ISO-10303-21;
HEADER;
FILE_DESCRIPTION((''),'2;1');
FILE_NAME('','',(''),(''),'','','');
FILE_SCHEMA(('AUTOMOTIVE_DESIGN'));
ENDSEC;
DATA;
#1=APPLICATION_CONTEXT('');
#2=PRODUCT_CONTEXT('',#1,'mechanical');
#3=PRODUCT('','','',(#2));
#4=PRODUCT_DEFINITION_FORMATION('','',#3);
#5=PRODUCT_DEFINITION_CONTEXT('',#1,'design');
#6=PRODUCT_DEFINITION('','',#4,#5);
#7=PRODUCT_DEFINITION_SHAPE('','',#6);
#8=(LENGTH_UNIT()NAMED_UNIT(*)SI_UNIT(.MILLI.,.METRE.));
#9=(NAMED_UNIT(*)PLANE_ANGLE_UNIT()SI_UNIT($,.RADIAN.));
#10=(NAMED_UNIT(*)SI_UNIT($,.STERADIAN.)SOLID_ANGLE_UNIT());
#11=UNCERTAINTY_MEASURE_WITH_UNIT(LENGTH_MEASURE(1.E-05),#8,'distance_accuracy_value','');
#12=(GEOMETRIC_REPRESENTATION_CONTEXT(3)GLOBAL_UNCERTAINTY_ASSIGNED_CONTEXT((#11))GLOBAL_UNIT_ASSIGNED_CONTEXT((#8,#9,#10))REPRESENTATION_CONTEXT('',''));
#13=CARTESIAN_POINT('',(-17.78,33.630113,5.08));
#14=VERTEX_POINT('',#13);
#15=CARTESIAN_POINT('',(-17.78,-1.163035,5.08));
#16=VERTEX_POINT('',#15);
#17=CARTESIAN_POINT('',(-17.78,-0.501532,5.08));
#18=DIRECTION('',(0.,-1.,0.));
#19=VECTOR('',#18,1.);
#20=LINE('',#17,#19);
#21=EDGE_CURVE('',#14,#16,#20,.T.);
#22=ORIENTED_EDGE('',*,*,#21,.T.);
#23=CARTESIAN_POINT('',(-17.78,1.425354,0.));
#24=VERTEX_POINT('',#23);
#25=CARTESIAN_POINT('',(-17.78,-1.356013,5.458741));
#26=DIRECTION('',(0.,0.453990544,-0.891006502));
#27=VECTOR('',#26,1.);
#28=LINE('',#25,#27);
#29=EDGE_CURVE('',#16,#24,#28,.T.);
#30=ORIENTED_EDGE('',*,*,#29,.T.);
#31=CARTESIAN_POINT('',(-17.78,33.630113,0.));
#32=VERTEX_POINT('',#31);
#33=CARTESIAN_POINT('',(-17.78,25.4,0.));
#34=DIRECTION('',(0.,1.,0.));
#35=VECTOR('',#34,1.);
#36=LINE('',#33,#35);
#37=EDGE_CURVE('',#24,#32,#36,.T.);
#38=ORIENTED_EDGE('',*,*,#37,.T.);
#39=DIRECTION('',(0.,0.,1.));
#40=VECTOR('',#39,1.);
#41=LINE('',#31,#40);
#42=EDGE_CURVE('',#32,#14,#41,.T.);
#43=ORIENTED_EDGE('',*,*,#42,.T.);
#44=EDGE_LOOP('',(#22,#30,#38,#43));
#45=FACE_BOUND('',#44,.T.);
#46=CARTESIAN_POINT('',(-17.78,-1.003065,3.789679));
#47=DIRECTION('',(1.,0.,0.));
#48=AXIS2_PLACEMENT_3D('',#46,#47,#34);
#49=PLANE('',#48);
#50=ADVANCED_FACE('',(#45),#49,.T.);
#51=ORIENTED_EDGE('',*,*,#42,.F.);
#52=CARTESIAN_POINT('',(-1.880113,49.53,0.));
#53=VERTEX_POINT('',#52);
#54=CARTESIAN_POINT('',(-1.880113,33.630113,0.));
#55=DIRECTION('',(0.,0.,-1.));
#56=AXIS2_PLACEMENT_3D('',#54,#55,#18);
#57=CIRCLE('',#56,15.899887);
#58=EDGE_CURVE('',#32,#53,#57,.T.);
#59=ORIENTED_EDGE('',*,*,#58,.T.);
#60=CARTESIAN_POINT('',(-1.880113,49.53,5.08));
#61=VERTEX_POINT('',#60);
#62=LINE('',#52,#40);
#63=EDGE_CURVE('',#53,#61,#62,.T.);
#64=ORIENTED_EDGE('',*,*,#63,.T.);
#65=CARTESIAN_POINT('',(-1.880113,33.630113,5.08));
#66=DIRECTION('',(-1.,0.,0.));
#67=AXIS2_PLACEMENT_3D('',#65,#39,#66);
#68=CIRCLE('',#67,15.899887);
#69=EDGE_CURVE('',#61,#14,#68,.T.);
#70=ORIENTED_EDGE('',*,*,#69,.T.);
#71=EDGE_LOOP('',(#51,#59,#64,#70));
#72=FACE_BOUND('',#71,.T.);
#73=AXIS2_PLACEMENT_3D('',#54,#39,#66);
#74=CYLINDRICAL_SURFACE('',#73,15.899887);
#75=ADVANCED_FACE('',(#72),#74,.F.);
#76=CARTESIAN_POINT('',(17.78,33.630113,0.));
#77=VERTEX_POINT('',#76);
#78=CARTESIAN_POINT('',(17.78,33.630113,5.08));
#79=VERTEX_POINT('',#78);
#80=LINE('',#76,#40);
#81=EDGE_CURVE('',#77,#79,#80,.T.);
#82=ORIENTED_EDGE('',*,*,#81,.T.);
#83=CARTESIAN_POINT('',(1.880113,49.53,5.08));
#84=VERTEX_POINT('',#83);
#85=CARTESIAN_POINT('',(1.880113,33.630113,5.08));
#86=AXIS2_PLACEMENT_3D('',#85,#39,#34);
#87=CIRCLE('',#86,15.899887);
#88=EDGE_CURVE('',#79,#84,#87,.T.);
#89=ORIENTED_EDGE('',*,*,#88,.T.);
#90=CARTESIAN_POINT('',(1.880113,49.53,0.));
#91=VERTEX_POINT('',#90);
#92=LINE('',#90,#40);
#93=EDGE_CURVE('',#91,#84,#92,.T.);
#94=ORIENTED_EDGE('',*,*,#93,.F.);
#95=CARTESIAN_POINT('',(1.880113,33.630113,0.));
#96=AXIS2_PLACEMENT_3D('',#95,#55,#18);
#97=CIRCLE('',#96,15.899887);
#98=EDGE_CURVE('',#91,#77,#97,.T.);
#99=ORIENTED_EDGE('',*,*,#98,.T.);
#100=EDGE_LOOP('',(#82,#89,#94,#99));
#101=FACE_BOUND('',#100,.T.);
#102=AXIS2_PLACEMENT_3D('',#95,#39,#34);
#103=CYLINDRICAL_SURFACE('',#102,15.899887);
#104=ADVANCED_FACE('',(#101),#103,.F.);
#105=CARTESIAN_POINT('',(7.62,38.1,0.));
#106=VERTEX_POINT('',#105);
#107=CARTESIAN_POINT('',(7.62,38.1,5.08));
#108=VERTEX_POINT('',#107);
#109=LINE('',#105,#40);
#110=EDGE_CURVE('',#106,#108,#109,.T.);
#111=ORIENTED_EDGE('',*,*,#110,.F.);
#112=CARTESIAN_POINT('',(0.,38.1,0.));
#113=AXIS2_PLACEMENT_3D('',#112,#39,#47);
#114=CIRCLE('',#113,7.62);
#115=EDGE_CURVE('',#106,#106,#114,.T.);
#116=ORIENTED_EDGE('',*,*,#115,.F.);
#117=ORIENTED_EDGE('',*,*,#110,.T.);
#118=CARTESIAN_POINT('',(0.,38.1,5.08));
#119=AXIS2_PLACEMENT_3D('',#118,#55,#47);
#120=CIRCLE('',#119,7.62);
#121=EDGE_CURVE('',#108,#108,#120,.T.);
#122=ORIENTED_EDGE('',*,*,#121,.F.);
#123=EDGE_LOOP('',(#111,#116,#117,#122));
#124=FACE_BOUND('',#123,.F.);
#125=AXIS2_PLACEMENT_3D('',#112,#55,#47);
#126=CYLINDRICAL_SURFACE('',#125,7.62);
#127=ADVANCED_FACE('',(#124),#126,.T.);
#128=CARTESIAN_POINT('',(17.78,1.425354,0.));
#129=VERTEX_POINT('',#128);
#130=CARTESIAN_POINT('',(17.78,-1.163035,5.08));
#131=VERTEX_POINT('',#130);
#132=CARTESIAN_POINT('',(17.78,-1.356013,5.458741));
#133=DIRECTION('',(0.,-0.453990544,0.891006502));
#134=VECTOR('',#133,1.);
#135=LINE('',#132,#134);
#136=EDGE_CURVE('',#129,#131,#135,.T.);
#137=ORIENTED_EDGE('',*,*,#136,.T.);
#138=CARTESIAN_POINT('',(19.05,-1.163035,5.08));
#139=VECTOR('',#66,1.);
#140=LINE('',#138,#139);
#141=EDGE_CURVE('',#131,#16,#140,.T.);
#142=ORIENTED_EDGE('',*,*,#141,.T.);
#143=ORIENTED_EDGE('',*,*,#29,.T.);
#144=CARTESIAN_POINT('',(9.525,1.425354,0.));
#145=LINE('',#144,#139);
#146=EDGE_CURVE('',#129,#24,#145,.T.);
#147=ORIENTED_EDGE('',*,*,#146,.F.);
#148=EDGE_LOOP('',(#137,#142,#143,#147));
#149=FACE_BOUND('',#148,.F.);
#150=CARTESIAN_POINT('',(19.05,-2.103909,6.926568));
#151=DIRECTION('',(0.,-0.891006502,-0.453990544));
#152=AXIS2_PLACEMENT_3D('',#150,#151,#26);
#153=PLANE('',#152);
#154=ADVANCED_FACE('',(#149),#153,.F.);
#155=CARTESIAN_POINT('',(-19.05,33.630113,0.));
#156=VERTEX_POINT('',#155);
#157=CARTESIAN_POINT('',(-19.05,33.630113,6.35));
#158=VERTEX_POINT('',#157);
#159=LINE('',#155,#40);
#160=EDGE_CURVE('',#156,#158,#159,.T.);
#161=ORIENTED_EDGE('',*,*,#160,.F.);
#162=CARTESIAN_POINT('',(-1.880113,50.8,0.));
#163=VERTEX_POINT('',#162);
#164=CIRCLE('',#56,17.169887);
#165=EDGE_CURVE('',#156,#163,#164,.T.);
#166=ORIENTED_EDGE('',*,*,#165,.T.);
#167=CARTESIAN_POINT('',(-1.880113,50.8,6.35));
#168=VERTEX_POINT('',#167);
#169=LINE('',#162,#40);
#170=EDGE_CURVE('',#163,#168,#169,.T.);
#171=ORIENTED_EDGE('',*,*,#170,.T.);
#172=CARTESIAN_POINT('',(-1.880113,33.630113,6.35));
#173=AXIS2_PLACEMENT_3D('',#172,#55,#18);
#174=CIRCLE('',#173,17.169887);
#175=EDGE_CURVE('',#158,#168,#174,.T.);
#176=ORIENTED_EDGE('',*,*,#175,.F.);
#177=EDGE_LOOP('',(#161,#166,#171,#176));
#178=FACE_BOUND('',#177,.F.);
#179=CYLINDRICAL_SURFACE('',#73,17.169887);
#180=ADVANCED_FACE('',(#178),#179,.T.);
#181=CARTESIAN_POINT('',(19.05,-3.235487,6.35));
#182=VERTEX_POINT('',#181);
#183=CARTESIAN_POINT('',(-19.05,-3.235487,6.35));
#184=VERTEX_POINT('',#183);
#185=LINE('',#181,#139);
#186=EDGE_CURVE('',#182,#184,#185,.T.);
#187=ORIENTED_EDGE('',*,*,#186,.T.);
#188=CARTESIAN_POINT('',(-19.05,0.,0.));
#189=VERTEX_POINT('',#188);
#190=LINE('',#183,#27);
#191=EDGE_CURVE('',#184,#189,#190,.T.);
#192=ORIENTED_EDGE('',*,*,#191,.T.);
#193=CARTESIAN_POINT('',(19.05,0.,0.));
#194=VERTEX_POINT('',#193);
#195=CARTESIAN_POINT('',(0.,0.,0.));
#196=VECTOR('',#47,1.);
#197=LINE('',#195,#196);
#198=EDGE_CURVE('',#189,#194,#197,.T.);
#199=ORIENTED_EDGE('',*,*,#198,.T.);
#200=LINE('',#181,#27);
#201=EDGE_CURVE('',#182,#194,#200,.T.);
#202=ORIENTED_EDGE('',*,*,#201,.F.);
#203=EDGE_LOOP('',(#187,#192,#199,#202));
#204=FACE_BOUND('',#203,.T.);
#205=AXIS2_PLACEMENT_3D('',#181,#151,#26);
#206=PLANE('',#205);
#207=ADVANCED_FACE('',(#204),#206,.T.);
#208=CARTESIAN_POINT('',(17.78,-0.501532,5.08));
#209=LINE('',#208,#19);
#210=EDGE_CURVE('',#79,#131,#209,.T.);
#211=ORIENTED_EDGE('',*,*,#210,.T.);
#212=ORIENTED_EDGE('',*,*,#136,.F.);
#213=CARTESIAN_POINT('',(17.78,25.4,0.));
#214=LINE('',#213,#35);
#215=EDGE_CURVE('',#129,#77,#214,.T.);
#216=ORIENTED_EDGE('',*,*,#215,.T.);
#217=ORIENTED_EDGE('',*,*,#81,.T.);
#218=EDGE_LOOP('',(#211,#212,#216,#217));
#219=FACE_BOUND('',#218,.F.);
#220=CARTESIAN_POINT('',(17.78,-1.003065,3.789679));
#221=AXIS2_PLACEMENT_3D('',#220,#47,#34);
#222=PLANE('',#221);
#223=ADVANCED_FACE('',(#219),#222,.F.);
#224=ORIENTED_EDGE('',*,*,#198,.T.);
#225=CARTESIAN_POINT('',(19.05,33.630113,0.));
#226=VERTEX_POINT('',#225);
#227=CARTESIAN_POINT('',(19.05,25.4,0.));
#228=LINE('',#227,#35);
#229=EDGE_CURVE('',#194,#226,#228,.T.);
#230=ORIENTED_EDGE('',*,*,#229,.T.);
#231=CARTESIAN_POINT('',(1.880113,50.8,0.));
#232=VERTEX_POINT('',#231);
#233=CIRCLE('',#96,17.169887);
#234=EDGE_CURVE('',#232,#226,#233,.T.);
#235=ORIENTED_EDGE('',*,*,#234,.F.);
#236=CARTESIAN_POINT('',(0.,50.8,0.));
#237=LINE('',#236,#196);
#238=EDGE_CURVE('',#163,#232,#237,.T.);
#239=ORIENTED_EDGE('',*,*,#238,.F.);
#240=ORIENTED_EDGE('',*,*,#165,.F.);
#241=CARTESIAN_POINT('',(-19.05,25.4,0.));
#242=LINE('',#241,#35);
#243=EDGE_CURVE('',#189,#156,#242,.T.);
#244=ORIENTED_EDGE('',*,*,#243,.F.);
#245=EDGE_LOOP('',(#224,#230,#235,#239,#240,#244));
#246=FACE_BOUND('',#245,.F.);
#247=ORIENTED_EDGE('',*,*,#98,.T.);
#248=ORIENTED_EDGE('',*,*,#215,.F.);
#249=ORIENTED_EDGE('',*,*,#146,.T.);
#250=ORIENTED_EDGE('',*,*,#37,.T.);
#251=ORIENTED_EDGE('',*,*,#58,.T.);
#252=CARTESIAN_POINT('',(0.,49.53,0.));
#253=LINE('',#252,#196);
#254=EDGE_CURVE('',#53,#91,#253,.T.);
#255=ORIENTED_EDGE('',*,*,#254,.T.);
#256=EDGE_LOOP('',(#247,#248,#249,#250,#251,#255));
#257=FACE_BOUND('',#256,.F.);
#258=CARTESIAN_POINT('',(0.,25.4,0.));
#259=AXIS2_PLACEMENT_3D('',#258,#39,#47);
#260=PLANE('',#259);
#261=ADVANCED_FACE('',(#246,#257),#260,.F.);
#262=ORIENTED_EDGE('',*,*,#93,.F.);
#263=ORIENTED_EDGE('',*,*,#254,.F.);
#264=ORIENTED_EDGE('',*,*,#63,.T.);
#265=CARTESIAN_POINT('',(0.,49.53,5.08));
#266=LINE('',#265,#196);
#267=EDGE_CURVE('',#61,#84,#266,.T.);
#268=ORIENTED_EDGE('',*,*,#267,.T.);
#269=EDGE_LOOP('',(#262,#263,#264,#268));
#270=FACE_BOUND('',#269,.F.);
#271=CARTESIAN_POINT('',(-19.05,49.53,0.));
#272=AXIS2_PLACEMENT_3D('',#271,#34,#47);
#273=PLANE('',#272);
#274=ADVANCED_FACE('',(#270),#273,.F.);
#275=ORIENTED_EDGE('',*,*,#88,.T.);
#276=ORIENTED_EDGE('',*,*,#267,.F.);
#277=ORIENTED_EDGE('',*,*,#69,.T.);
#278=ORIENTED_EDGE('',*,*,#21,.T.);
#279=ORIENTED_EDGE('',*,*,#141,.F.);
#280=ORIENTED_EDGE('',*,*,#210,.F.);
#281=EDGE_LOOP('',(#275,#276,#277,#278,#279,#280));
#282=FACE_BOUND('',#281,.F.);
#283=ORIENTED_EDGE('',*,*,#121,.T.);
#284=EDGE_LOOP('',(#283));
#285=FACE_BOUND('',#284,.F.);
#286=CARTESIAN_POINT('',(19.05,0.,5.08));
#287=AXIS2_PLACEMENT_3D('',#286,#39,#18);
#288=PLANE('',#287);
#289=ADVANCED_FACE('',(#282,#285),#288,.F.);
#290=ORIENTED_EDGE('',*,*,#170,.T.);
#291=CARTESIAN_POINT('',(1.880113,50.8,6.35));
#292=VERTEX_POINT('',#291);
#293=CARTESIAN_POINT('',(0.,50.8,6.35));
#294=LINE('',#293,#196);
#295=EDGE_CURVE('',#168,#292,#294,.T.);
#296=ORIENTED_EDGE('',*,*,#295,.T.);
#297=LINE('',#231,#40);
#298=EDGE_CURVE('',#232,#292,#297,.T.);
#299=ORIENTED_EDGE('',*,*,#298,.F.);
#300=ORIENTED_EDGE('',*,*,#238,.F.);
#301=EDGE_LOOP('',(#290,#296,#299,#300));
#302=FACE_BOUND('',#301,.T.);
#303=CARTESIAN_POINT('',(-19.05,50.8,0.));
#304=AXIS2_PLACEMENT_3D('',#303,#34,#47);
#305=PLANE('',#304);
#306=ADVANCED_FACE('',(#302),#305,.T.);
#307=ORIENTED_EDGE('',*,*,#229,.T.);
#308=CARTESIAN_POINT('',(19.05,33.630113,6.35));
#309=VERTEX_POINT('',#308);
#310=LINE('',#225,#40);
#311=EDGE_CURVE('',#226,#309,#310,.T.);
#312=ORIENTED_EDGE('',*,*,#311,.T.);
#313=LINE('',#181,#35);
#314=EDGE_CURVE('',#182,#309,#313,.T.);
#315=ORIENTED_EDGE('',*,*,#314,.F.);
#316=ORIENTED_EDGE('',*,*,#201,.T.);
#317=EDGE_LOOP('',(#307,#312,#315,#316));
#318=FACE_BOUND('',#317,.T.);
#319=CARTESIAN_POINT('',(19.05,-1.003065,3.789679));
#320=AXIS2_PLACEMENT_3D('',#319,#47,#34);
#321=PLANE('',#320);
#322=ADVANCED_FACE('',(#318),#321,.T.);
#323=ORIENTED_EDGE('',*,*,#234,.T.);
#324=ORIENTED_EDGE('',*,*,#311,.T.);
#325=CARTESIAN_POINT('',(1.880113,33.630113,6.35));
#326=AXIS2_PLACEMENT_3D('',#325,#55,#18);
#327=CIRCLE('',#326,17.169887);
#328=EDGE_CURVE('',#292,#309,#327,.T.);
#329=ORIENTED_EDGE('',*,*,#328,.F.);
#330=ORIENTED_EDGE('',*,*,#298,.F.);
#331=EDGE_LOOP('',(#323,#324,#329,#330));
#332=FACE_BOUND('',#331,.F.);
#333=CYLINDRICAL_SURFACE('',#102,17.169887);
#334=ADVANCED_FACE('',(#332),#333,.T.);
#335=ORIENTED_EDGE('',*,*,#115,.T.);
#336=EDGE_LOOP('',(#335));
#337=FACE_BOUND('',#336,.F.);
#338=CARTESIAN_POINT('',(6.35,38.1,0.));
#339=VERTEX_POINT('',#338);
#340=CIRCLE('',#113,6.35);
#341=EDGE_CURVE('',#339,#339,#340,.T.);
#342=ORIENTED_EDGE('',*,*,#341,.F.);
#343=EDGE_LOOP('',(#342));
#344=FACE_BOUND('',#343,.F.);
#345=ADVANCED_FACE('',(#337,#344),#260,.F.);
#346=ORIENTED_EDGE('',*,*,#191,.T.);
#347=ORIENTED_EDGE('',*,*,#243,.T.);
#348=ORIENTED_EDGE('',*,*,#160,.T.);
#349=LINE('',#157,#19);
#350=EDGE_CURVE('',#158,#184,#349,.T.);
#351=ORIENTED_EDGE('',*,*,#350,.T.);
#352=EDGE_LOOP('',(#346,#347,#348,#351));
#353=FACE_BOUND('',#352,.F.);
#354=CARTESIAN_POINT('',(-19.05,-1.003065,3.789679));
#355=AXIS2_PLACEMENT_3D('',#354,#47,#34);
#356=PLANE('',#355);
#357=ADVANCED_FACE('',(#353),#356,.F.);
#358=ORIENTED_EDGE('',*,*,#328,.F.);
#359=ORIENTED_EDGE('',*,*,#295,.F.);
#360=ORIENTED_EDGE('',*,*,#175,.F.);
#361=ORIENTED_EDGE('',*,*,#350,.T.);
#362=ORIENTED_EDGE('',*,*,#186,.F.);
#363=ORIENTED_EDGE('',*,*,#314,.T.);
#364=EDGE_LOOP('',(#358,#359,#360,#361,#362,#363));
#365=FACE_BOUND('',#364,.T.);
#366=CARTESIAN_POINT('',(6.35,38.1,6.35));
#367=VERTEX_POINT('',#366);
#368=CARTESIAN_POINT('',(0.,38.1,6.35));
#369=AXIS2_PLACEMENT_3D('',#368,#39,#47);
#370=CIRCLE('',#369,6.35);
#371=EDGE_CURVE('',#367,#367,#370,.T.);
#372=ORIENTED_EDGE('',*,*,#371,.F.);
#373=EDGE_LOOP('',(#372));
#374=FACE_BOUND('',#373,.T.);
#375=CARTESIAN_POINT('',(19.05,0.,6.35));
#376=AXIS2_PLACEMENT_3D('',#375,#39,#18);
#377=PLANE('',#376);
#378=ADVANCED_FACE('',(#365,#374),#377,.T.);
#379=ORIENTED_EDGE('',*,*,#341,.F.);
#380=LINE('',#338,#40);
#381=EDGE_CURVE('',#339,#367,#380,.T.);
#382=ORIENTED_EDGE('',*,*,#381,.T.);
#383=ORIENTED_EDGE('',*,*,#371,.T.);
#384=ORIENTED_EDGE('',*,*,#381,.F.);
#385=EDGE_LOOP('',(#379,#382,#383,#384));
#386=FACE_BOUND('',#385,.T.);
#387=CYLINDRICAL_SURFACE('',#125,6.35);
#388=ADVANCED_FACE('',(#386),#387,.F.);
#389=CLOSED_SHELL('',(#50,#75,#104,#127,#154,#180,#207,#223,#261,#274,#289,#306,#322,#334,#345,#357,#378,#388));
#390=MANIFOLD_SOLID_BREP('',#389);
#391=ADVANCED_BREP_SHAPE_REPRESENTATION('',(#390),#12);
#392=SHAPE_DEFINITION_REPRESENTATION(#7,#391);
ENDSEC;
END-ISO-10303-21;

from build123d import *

# Parameters (mm, degrees)
F0_W     = 38.1
F0_H     = 50.8
F0_R     = 6.35
F1_DEPTH = 6.35
F2_R     = 17.169887
F4_DEPTH = 38.1
F5_T     = -1.27


with BuildPart() as f1:
    # F0 (on Top) → F1 (new body)
    with BuildSketch(Plane.XY):
        with Locations((0, 25.4)):
            Rectangle(F0_W, F0_H)
        with Locations((0, 38.1)):
            Circle(F0_R, mode=Mode.SUBTRACT)
    extrude(amount=F1_DEPTH)

    # F2
    f2_edges = [f1.edges().sort_by_distance(p)[0] for p in [
        (-19.05, 50.8, 3.175),
        (19.05, 50.8, 3.175),
    ]]
    fillet(f2_edges, radius=F2_R)

    # F3 (on face) → F4 (join)
    with BuildSketch(Plane.YZ.offset(19.05)):
        Polygon((0, 0), (0, 6.35), (-3.235487, 6.35), align=None)
    extrude(amount=-F4_DEPTH)

    # F5
    f5_openings = [f1.faces().sort_by_distance(p)[0] for p in [
        (0, 22.821689, 0),
    ]]
    offset(amount=F5_T, openings=f5_openings)


solid = f1.part
